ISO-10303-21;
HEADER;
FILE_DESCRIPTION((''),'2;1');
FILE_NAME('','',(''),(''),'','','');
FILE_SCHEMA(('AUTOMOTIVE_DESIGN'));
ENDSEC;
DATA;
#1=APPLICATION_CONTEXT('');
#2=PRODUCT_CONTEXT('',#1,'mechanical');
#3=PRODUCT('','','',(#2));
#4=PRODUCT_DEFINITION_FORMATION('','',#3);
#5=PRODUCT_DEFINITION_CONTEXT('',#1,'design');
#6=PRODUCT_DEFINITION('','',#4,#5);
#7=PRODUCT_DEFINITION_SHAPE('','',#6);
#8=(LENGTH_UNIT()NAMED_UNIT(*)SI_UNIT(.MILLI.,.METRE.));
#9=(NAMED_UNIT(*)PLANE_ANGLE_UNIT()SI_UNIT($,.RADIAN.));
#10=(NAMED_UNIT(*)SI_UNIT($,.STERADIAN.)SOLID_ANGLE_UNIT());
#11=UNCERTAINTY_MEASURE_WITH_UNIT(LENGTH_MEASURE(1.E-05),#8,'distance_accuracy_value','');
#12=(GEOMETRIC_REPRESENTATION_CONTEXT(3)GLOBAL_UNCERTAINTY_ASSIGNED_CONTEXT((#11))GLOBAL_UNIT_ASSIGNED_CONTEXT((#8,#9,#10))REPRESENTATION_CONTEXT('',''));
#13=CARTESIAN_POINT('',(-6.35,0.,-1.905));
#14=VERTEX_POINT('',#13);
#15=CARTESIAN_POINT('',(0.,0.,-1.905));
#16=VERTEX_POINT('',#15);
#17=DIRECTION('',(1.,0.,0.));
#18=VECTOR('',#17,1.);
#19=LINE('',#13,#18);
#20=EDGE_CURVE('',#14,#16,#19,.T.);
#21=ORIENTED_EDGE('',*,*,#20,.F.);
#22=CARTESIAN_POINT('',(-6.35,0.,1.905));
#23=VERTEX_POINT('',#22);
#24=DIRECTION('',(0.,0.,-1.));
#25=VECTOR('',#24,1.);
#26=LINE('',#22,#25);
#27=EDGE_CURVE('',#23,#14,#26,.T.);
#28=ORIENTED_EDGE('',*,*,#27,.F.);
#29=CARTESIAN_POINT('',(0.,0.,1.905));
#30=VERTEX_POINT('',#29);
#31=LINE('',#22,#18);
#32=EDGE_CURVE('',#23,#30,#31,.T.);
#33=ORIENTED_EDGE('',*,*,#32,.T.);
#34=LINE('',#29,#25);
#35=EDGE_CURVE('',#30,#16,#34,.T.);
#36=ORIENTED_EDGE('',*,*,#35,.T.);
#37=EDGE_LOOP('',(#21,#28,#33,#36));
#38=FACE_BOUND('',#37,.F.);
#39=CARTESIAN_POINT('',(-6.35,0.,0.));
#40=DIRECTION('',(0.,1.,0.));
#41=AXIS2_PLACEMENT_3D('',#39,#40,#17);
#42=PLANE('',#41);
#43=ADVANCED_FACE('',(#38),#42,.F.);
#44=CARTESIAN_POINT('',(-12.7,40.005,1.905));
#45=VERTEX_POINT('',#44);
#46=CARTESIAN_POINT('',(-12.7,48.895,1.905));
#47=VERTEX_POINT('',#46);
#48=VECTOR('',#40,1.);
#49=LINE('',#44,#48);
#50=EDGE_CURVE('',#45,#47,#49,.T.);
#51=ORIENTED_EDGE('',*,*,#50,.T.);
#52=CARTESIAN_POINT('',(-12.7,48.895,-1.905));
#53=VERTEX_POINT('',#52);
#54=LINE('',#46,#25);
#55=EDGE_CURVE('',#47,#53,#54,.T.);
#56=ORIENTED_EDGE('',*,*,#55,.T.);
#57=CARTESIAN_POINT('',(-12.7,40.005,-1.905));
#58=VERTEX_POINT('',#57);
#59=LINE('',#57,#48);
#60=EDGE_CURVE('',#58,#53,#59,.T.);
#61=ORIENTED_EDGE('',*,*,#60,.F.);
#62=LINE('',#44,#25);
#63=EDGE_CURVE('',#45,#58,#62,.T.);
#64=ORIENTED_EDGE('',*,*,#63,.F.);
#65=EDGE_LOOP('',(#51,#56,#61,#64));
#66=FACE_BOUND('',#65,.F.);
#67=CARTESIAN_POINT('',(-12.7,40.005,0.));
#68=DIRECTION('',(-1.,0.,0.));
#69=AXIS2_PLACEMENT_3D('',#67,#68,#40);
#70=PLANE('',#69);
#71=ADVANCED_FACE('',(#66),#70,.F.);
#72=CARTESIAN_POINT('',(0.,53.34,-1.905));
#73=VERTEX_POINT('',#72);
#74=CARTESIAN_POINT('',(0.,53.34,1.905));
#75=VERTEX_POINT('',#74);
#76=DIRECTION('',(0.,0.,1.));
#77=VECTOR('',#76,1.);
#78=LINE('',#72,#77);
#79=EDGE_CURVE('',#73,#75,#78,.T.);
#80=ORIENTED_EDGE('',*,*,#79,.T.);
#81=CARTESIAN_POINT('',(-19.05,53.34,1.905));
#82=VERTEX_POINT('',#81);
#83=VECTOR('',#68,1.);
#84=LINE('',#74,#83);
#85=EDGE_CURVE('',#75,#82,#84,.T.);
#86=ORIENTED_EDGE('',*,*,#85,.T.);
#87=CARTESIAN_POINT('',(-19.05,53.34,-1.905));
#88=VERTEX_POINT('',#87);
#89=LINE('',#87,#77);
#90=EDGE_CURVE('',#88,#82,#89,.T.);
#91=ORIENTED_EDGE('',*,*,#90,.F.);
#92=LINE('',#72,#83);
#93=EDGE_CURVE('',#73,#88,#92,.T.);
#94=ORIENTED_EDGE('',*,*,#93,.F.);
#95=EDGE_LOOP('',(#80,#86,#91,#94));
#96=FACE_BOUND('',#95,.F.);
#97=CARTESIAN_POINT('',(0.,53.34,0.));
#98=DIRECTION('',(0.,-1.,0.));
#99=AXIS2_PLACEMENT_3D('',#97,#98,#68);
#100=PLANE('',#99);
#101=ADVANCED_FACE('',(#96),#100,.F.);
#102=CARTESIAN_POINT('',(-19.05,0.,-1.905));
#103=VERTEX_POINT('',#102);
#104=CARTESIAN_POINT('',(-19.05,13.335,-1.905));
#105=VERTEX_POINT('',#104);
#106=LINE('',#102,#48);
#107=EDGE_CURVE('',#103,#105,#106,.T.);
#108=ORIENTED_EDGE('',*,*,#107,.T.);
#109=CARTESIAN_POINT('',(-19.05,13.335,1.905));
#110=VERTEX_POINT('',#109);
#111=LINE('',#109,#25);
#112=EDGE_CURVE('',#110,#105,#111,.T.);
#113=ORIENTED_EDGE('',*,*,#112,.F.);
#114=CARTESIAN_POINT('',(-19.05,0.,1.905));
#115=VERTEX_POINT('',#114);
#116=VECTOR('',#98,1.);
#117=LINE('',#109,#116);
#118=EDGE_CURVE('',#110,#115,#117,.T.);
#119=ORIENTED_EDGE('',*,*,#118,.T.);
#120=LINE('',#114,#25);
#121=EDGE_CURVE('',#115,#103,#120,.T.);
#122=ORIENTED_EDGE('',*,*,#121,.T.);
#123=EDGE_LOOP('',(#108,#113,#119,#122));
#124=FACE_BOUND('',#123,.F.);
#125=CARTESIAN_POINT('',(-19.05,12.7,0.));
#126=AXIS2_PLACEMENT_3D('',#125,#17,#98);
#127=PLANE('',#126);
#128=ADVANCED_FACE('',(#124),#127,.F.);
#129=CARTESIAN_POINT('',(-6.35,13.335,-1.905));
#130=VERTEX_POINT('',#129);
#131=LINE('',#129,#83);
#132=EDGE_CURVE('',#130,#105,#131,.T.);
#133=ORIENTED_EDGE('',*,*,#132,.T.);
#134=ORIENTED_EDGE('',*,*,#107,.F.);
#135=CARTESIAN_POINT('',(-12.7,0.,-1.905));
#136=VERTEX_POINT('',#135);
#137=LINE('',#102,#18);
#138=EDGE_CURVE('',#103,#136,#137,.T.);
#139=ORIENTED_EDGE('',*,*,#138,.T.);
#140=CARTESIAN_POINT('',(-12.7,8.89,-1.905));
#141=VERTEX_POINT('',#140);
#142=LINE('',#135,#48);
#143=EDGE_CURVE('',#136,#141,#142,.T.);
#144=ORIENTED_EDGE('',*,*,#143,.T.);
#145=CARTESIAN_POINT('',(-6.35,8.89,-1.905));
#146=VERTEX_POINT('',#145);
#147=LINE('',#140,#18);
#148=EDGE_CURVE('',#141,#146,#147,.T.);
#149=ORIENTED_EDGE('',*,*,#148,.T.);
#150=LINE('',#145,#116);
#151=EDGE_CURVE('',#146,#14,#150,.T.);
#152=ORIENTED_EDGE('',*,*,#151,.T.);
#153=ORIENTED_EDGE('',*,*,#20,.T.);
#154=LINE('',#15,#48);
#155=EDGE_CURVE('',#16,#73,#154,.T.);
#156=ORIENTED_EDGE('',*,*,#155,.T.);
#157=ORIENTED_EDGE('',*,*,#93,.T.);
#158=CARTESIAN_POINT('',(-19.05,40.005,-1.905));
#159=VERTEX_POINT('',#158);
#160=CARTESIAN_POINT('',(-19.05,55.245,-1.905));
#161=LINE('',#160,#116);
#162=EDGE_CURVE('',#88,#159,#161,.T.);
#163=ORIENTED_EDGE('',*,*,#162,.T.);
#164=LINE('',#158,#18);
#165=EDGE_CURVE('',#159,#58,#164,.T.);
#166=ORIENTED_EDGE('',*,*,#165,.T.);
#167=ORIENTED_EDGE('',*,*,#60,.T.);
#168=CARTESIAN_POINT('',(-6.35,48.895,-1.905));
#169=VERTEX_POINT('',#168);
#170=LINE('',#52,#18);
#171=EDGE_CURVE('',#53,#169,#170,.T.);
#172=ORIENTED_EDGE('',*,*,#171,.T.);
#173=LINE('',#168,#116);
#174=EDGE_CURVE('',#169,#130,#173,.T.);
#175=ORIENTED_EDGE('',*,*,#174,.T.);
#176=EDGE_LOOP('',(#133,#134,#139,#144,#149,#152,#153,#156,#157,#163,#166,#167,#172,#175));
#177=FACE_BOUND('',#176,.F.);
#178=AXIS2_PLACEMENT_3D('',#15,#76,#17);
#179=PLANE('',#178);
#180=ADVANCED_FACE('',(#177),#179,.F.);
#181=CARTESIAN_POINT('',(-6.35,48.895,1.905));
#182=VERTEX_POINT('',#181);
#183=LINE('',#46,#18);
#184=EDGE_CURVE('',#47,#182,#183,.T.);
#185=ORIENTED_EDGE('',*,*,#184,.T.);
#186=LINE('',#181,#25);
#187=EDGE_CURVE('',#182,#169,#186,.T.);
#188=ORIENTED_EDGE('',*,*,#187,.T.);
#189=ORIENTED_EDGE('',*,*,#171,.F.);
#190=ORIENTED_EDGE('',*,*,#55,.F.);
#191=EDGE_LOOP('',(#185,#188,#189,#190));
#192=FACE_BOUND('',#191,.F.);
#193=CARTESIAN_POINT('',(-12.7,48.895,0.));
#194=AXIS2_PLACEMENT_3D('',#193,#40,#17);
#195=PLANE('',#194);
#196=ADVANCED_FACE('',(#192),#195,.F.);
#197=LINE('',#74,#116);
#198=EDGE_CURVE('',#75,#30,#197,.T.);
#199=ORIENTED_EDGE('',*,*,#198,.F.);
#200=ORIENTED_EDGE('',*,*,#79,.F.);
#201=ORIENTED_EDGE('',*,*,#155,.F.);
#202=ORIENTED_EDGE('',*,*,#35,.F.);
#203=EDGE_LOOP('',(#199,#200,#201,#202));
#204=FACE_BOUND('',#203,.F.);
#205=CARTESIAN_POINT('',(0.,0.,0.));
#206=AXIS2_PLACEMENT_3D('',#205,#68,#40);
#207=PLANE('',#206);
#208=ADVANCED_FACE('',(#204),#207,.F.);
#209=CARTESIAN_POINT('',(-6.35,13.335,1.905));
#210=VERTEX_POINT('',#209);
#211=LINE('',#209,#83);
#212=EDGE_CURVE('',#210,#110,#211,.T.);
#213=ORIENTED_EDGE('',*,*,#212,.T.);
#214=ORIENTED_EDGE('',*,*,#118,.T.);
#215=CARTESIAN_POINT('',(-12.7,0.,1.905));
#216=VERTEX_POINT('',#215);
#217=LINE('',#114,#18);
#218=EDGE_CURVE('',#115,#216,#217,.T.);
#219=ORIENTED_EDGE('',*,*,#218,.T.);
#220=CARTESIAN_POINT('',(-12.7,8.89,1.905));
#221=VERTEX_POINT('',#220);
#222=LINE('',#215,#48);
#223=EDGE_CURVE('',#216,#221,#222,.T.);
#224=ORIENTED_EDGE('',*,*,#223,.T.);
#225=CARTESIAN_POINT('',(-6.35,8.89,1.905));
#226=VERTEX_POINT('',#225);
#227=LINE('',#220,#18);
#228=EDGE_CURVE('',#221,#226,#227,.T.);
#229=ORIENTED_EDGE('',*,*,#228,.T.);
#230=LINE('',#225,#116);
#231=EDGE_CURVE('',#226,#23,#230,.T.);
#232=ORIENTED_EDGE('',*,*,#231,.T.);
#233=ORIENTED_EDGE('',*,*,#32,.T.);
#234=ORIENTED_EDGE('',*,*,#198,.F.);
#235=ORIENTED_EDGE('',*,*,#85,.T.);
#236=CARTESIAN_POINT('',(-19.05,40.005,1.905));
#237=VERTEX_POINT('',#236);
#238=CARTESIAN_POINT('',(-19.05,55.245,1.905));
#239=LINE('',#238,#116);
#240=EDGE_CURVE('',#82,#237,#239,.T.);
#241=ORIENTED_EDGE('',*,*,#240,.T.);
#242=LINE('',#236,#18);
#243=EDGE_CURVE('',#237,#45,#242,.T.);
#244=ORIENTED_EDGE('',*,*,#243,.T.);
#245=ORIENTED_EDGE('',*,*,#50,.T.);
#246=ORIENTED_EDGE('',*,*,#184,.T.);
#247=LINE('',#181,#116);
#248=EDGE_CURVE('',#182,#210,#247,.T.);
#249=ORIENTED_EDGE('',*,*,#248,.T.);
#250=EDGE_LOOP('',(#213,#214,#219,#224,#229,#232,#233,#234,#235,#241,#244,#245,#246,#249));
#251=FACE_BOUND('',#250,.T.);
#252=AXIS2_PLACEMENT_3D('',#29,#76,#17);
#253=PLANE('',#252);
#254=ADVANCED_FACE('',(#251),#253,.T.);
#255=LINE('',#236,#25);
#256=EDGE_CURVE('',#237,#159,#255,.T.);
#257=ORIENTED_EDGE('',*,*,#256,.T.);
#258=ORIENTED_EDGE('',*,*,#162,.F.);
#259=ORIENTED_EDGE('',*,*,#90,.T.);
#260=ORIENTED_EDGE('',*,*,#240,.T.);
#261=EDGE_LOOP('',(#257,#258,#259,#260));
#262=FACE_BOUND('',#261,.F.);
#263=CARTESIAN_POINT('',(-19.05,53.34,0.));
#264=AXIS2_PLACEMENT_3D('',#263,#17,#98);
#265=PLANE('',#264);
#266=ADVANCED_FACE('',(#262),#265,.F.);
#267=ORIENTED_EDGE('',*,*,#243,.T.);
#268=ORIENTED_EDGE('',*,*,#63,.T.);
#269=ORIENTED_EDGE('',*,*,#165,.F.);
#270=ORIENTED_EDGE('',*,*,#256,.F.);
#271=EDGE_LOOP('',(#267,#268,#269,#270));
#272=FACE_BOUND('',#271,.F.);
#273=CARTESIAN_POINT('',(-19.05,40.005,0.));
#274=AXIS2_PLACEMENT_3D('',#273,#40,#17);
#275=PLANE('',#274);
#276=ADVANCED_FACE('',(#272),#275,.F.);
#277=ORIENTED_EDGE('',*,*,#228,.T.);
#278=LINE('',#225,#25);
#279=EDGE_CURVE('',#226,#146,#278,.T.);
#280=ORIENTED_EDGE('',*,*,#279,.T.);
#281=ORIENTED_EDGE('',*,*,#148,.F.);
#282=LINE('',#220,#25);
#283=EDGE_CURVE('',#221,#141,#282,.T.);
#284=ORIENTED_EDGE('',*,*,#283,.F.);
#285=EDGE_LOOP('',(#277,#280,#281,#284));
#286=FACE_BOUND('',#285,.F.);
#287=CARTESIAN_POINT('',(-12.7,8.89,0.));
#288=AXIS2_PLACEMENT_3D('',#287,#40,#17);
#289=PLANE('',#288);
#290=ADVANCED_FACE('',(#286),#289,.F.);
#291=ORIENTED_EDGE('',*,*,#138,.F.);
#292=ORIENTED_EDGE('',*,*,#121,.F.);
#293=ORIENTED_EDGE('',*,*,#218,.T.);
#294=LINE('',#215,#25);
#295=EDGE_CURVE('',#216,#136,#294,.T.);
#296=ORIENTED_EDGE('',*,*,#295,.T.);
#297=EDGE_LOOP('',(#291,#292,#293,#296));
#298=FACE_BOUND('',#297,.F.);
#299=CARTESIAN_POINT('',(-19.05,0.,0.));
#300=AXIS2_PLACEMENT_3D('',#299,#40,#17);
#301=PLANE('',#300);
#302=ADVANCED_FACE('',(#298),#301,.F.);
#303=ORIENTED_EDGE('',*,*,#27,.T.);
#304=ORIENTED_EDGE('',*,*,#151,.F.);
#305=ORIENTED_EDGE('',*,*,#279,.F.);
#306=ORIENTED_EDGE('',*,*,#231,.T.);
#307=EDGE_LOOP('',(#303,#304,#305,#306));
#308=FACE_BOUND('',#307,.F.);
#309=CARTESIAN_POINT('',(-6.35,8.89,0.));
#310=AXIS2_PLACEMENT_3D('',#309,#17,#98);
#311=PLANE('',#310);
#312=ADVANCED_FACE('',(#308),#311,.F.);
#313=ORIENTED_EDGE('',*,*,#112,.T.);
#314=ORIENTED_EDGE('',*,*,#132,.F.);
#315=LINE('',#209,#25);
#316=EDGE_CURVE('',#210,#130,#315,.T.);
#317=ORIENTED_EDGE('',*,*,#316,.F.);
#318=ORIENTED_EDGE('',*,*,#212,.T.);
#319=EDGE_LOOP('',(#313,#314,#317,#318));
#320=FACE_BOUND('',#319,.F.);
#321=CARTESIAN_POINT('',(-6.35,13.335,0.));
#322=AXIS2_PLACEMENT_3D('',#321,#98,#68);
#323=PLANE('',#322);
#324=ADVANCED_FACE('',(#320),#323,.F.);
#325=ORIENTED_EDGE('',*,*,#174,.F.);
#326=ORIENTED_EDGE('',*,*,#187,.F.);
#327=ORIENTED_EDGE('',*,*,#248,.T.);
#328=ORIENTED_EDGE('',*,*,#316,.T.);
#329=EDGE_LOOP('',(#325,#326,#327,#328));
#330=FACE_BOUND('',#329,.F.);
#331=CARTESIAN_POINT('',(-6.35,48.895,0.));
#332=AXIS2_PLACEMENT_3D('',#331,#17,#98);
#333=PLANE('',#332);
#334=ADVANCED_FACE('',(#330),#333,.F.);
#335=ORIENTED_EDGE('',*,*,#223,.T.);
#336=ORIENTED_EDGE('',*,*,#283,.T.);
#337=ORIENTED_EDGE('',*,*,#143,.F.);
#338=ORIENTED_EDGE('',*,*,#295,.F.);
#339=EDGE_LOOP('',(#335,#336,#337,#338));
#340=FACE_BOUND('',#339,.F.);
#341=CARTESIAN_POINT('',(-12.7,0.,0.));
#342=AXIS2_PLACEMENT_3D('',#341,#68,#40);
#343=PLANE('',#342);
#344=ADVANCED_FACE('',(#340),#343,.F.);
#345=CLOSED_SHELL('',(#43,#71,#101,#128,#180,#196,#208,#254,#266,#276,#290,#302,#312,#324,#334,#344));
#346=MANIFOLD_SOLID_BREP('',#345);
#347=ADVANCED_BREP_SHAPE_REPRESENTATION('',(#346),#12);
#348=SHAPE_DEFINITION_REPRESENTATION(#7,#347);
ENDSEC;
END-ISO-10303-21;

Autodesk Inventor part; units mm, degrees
ref_plane "YZ Plane" through (0, 0, 0) normal (1, 0, 0) x (0, 1, 0)
ref_plane "XZ Plane" through (0, 0, 0) normal (0, 1, 0) x (-1, 0, 0)
ref_plane "XY Plane" through (0, 0, 0) normal (0, 0, 1) x (1, 0, 0)
sketch "Sketch1" plane through (0, 0, 0) normal (0, 0, 1) x (1, 0, 0)
  line L0 (0, 6.35) -> (0, 53.34)
  line L1 (0, 53.34) -> (-19.05, 53.34)
  line L2 (-19.05, 53.34) -> (-19.05, 55.245)
  line L3 (-12.7, 48.895) -> (-6.35, 48.895)
  line L4 (-6.35, 48.895) -> (-6.35, 13.335)
  line L5 (-6.35, 13.335) -> (-19.05, 13.335)
  line L6 (-19.05, 13.335) -> (-19.05, 12.7)
  line L7 (-12.7, 8.89) -> (-6.35, 8.89)
  line L8 (-6.35, 8.89) -> (-6.35, 0)
  line L9 (-6.35, 0) -> (0, 0)
  line L10 (-19.05, 55.245) -> (-19.05, 40.005)
  line L11 (-19.05, 40.005) -> (-12.7, 40.005)
  line L12 (-12.7, 40.005) -> (-12.7, 48.895)
  line L13 (-19.05, 12.7) -> (-19.05, 0)
  line L14 (-19.05, 0) -> (-12.7, 0)
  line L15 (-12.7, 0) -> (-12.7, 8.89)
  line L16 (0, 0) -> (0, 6.35)
  point P0 (-19.05, 53.34)
  point P1 (-19.05, 11.43)
  dimension "d1" = 35.56
  dimension "d2" = 4.445
  dimension "d3" = 4.445
  dimension "d4" = 6.35
  dimension "d6" = 6.35
  dimension "d7" = 6.35
  dimension "d13" = 13.335
  dimension "d14" = 13.335
extrude "Extrusion1" add sketch "Sketch1" along normal mid plane 3.81
equation "\"d11\" = width"
equation "\"width\" = 3.81"
properties part number "oneStartConfigurationV01"
